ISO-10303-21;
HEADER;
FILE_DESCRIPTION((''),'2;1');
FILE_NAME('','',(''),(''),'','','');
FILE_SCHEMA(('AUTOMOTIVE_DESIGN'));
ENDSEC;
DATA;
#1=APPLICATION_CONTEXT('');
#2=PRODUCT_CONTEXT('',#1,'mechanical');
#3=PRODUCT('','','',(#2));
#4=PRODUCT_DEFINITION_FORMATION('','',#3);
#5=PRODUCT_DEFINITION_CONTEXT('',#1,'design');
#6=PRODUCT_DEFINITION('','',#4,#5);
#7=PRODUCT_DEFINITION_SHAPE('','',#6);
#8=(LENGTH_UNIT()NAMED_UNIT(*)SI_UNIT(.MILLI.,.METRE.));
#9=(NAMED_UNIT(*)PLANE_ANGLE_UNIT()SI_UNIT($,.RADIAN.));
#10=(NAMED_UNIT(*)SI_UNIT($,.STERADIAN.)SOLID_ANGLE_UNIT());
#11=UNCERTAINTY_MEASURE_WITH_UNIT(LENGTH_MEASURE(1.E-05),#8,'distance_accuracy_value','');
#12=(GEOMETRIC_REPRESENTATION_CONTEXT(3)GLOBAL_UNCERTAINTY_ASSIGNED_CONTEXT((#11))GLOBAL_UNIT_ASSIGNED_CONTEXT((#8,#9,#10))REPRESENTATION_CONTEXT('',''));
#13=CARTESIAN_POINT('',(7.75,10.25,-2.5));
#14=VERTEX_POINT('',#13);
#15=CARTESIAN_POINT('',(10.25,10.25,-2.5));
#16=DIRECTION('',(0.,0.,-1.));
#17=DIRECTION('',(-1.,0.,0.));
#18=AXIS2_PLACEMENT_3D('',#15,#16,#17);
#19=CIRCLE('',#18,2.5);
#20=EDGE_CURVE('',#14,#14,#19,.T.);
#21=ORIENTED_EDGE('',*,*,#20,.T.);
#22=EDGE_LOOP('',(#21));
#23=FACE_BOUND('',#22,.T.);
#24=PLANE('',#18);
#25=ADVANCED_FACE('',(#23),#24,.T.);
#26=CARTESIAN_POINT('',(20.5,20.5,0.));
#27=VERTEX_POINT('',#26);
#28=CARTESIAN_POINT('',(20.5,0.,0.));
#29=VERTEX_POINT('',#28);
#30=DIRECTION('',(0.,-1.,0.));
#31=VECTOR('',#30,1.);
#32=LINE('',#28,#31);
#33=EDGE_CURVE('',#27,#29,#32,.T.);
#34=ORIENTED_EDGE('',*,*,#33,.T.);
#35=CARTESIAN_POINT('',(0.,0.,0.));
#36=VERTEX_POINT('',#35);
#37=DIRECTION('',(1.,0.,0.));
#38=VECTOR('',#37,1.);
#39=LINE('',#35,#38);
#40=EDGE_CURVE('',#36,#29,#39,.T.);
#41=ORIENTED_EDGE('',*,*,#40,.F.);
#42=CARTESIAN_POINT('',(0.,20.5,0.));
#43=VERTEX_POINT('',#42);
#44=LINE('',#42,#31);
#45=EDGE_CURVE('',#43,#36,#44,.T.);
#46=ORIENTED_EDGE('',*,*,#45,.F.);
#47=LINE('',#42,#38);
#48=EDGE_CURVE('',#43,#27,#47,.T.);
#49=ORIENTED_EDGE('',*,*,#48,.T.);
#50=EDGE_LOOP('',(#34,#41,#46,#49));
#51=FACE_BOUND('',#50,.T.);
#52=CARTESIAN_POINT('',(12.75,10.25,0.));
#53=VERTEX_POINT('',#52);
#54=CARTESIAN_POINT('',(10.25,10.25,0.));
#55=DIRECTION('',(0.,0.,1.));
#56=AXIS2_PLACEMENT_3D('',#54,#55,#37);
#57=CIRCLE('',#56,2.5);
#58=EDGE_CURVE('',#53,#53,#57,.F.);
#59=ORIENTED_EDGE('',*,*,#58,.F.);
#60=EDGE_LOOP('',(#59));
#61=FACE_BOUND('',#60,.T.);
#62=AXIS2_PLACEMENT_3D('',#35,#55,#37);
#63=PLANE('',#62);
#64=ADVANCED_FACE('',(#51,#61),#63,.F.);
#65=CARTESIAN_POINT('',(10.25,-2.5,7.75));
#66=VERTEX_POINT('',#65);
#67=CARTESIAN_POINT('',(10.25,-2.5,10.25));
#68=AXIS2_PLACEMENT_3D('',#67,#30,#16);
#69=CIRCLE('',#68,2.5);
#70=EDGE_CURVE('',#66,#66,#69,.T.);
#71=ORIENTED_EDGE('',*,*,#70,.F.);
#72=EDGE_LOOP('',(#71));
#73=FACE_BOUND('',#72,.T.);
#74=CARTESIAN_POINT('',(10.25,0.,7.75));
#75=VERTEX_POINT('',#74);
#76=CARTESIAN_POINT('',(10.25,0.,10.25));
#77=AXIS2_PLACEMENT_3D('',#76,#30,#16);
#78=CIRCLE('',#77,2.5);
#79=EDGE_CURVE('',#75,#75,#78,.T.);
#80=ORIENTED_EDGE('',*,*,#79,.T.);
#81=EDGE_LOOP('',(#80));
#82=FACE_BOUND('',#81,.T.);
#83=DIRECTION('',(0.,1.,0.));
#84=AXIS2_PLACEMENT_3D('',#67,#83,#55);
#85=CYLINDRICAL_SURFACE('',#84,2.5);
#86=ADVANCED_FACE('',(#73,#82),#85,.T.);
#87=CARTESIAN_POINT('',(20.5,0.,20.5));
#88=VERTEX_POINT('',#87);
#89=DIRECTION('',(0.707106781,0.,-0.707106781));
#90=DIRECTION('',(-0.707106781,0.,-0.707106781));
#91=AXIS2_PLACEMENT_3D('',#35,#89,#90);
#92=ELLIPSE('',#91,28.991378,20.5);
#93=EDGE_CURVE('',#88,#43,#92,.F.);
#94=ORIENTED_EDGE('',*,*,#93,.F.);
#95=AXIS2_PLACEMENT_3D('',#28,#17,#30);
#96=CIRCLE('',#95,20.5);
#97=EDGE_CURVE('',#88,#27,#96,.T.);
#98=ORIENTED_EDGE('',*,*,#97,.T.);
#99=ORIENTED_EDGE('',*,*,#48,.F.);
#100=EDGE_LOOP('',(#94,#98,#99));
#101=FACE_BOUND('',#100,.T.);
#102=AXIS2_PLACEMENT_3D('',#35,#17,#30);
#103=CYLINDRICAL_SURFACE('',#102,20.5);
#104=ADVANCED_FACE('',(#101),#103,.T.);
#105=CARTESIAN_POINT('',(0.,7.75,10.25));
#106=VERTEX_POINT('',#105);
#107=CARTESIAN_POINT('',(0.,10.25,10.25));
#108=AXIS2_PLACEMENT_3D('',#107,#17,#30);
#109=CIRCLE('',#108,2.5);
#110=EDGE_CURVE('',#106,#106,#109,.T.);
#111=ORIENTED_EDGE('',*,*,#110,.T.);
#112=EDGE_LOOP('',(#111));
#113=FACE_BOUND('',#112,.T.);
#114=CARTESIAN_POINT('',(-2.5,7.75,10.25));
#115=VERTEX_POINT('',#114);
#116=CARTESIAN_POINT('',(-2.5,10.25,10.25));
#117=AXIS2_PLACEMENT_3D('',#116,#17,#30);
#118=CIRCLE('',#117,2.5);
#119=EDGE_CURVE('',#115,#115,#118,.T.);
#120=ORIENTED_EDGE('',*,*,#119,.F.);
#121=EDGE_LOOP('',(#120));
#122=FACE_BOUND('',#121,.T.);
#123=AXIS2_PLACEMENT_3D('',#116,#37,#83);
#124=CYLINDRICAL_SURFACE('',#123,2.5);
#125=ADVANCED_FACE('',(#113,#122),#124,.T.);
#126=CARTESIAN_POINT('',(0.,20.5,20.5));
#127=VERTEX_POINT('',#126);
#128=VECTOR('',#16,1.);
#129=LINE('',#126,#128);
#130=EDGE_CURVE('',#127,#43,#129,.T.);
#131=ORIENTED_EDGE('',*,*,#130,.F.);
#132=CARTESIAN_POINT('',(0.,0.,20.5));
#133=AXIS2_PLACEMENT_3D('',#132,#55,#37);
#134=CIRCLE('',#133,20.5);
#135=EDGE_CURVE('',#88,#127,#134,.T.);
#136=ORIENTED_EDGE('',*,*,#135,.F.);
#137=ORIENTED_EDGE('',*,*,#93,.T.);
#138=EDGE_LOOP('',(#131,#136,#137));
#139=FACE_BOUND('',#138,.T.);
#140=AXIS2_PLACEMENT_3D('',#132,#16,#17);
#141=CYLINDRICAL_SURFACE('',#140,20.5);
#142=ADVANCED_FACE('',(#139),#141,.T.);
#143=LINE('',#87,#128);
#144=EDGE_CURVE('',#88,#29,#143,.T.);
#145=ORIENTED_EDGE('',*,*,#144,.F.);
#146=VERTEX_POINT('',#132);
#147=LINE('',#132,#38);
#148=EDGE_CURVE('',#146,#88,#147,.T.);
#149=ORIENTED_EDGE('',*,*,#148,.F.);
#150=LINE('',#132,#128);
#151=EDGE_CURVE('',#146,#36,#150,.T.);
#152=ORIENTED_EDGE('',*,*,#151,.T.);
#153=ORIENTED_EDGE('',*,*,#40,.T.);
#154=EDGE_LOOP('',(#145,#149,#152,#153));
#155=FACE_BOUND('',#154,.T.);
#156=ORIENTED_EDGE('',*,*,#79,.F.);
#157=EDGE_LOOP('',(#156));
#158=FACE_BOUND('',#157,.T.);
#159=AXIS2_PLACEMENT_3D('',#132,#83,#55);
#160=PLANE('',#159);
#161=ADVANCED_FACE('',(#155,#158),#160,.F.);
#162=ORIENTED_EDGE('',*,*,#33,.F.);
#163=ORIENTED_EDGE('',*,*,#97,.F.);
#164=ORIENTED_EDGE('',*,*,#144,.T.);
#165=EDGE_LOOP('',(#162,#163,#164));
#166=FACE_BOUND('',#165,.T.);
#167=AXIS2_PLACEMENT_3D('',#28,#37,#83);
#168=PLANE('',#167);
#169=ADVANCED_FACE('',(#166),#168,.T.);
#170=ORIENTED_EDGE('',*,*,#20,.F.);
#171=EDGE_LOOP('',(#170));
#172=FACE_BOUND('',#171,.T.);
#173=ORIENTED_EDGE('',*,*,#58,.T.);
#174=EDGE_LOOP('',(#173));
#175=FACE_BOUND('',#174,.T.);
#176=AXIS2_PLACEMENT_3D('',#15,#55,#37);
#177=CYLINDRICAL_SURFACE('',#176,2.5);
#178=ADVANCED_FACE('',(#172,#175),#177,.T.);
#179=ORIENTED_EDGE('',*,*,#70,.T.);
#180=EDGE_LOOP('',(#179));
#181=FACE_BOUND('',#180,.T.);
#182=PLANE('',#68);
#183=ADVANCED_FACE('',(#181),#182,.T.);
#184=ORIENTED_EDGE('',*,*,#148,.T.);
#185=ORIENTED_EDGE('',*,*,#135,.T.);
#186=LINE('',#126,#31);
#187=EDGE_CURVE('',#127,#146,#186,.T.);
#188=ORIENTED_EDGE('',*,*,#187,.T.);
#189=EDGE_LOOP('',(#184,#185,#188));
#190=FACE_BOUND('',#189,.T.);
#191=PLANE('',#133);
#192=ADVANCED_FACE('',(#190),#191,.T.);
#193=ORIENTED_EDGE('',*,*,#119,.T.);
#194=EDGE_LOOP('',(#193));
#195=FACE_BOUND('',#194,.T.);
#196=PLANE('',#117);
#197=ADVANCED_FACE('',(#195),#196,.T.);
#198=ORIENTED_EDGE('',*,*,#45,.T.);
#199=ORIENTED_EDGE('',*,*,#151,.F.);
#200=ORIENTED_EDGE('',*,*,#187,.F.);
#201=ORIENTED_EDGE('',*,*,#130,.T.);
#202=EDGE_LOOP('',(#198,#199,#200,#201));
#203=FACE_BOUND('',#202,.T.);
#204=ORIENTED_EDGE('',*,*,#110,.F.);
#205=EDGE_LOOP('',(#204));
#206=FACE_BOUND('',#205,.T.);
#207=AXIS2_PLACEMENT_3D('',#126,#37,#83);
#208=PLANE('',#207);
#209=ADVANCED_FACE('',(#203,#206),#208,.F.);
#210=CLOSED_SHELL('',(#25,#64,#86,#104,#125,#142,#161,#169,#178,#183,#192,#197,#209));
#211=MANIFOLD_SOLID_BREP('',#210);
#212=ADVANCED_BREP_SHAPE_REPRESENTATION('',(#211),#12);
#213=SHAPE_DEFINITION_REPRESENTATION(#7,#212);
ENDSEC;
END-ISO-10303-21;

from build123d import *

# Parameters (mm, degrees)
Y_KSEKLIK_EKSTR_ZYON1_DEPTH = 20.5
SKETCH_1_R                  = 2.5
EXTRUDE_1_DEPTH             = 2.5
SKETCH_2_R                  = 2.5
EXTRUDE_2_DEPTH             = 2.5
SKETCH_3_W                  = 20.5
SKETCH_3_H                  = 20.5
REVOLVE_2_ANGLE             = 90
SKETCH_4_R                  = 2.5
EXTRUDE_3_DEPTH             = 2.5


with BuildPart() as part:
    # Çizim1 → Yükseklik-Ekstrüzyon1 (new body)
    with BuildSketch(Plane.XY):
        with BuildLine():
            Line((0, 20.5), (0, 0))
            Line((0, 0), (20.5, 0))
            ThreePointArc((20.5, 0), (14.495689014, 14.495689014), (0, 20.5))
        make_face()
    extrude(amount=Y_KSEKLIK_EKSTR_ZYON1_DEPTH)

    # Эскиз1 → Бобышка-Вытянуть1 (add)
    with BuildSketch(Plane.ZY):
        with Locations(Location((10.25, 10.25, 0), (0, 0, 270))):
            Circle(SKETCH_1_R)
    extrude(amount=EXTRUDE_1_DEPTH)

    # Эскиз2 → Бобышка-Вытянуть2 (add)
    with BuildSketch(Plane(origin=(0, 0, 0), x_dir=(-1, 0, 0), z_dir=(0, -1, 0))):
        with Locations(Location((-10.25, -10.25, 0), (0, 0, 90))):
            Circle(SKETCH_2_R)
    extrude(amount=EXTRUDE_2_DEPTH)

    # Эскиз3 → Повернуть2 (revolve)
    with BuildSketch(Plane(origin=(0, 0, 0), x_dir=(-1, 0, 0), z_dir=(0, 0, -1))):
        with Locations((-10.25, 10.25)):
            Rectangle(SKETCH_3_W, SKETCH_3_H)
    revolve(axis=Axis((0, 0, 0), (1, 0, 0)), revolution_arc=REVOLVE_2_ANGLE)

    # Эскиз4 → Бобышка-Вытянуть3 (add)
    with BuildSketch(Plane(origin=(0, 0, 0), x_dir=(-1, 0, 0), z_dir=(0, 0, -1))):
        with Locations(Location((-10.25, 10.25, 0), (0, 0, 180))):
            Circle(SKETCH_4_R)
    extrude(amount=EXTRUDE_3_DEPTH)


solid = part.part
